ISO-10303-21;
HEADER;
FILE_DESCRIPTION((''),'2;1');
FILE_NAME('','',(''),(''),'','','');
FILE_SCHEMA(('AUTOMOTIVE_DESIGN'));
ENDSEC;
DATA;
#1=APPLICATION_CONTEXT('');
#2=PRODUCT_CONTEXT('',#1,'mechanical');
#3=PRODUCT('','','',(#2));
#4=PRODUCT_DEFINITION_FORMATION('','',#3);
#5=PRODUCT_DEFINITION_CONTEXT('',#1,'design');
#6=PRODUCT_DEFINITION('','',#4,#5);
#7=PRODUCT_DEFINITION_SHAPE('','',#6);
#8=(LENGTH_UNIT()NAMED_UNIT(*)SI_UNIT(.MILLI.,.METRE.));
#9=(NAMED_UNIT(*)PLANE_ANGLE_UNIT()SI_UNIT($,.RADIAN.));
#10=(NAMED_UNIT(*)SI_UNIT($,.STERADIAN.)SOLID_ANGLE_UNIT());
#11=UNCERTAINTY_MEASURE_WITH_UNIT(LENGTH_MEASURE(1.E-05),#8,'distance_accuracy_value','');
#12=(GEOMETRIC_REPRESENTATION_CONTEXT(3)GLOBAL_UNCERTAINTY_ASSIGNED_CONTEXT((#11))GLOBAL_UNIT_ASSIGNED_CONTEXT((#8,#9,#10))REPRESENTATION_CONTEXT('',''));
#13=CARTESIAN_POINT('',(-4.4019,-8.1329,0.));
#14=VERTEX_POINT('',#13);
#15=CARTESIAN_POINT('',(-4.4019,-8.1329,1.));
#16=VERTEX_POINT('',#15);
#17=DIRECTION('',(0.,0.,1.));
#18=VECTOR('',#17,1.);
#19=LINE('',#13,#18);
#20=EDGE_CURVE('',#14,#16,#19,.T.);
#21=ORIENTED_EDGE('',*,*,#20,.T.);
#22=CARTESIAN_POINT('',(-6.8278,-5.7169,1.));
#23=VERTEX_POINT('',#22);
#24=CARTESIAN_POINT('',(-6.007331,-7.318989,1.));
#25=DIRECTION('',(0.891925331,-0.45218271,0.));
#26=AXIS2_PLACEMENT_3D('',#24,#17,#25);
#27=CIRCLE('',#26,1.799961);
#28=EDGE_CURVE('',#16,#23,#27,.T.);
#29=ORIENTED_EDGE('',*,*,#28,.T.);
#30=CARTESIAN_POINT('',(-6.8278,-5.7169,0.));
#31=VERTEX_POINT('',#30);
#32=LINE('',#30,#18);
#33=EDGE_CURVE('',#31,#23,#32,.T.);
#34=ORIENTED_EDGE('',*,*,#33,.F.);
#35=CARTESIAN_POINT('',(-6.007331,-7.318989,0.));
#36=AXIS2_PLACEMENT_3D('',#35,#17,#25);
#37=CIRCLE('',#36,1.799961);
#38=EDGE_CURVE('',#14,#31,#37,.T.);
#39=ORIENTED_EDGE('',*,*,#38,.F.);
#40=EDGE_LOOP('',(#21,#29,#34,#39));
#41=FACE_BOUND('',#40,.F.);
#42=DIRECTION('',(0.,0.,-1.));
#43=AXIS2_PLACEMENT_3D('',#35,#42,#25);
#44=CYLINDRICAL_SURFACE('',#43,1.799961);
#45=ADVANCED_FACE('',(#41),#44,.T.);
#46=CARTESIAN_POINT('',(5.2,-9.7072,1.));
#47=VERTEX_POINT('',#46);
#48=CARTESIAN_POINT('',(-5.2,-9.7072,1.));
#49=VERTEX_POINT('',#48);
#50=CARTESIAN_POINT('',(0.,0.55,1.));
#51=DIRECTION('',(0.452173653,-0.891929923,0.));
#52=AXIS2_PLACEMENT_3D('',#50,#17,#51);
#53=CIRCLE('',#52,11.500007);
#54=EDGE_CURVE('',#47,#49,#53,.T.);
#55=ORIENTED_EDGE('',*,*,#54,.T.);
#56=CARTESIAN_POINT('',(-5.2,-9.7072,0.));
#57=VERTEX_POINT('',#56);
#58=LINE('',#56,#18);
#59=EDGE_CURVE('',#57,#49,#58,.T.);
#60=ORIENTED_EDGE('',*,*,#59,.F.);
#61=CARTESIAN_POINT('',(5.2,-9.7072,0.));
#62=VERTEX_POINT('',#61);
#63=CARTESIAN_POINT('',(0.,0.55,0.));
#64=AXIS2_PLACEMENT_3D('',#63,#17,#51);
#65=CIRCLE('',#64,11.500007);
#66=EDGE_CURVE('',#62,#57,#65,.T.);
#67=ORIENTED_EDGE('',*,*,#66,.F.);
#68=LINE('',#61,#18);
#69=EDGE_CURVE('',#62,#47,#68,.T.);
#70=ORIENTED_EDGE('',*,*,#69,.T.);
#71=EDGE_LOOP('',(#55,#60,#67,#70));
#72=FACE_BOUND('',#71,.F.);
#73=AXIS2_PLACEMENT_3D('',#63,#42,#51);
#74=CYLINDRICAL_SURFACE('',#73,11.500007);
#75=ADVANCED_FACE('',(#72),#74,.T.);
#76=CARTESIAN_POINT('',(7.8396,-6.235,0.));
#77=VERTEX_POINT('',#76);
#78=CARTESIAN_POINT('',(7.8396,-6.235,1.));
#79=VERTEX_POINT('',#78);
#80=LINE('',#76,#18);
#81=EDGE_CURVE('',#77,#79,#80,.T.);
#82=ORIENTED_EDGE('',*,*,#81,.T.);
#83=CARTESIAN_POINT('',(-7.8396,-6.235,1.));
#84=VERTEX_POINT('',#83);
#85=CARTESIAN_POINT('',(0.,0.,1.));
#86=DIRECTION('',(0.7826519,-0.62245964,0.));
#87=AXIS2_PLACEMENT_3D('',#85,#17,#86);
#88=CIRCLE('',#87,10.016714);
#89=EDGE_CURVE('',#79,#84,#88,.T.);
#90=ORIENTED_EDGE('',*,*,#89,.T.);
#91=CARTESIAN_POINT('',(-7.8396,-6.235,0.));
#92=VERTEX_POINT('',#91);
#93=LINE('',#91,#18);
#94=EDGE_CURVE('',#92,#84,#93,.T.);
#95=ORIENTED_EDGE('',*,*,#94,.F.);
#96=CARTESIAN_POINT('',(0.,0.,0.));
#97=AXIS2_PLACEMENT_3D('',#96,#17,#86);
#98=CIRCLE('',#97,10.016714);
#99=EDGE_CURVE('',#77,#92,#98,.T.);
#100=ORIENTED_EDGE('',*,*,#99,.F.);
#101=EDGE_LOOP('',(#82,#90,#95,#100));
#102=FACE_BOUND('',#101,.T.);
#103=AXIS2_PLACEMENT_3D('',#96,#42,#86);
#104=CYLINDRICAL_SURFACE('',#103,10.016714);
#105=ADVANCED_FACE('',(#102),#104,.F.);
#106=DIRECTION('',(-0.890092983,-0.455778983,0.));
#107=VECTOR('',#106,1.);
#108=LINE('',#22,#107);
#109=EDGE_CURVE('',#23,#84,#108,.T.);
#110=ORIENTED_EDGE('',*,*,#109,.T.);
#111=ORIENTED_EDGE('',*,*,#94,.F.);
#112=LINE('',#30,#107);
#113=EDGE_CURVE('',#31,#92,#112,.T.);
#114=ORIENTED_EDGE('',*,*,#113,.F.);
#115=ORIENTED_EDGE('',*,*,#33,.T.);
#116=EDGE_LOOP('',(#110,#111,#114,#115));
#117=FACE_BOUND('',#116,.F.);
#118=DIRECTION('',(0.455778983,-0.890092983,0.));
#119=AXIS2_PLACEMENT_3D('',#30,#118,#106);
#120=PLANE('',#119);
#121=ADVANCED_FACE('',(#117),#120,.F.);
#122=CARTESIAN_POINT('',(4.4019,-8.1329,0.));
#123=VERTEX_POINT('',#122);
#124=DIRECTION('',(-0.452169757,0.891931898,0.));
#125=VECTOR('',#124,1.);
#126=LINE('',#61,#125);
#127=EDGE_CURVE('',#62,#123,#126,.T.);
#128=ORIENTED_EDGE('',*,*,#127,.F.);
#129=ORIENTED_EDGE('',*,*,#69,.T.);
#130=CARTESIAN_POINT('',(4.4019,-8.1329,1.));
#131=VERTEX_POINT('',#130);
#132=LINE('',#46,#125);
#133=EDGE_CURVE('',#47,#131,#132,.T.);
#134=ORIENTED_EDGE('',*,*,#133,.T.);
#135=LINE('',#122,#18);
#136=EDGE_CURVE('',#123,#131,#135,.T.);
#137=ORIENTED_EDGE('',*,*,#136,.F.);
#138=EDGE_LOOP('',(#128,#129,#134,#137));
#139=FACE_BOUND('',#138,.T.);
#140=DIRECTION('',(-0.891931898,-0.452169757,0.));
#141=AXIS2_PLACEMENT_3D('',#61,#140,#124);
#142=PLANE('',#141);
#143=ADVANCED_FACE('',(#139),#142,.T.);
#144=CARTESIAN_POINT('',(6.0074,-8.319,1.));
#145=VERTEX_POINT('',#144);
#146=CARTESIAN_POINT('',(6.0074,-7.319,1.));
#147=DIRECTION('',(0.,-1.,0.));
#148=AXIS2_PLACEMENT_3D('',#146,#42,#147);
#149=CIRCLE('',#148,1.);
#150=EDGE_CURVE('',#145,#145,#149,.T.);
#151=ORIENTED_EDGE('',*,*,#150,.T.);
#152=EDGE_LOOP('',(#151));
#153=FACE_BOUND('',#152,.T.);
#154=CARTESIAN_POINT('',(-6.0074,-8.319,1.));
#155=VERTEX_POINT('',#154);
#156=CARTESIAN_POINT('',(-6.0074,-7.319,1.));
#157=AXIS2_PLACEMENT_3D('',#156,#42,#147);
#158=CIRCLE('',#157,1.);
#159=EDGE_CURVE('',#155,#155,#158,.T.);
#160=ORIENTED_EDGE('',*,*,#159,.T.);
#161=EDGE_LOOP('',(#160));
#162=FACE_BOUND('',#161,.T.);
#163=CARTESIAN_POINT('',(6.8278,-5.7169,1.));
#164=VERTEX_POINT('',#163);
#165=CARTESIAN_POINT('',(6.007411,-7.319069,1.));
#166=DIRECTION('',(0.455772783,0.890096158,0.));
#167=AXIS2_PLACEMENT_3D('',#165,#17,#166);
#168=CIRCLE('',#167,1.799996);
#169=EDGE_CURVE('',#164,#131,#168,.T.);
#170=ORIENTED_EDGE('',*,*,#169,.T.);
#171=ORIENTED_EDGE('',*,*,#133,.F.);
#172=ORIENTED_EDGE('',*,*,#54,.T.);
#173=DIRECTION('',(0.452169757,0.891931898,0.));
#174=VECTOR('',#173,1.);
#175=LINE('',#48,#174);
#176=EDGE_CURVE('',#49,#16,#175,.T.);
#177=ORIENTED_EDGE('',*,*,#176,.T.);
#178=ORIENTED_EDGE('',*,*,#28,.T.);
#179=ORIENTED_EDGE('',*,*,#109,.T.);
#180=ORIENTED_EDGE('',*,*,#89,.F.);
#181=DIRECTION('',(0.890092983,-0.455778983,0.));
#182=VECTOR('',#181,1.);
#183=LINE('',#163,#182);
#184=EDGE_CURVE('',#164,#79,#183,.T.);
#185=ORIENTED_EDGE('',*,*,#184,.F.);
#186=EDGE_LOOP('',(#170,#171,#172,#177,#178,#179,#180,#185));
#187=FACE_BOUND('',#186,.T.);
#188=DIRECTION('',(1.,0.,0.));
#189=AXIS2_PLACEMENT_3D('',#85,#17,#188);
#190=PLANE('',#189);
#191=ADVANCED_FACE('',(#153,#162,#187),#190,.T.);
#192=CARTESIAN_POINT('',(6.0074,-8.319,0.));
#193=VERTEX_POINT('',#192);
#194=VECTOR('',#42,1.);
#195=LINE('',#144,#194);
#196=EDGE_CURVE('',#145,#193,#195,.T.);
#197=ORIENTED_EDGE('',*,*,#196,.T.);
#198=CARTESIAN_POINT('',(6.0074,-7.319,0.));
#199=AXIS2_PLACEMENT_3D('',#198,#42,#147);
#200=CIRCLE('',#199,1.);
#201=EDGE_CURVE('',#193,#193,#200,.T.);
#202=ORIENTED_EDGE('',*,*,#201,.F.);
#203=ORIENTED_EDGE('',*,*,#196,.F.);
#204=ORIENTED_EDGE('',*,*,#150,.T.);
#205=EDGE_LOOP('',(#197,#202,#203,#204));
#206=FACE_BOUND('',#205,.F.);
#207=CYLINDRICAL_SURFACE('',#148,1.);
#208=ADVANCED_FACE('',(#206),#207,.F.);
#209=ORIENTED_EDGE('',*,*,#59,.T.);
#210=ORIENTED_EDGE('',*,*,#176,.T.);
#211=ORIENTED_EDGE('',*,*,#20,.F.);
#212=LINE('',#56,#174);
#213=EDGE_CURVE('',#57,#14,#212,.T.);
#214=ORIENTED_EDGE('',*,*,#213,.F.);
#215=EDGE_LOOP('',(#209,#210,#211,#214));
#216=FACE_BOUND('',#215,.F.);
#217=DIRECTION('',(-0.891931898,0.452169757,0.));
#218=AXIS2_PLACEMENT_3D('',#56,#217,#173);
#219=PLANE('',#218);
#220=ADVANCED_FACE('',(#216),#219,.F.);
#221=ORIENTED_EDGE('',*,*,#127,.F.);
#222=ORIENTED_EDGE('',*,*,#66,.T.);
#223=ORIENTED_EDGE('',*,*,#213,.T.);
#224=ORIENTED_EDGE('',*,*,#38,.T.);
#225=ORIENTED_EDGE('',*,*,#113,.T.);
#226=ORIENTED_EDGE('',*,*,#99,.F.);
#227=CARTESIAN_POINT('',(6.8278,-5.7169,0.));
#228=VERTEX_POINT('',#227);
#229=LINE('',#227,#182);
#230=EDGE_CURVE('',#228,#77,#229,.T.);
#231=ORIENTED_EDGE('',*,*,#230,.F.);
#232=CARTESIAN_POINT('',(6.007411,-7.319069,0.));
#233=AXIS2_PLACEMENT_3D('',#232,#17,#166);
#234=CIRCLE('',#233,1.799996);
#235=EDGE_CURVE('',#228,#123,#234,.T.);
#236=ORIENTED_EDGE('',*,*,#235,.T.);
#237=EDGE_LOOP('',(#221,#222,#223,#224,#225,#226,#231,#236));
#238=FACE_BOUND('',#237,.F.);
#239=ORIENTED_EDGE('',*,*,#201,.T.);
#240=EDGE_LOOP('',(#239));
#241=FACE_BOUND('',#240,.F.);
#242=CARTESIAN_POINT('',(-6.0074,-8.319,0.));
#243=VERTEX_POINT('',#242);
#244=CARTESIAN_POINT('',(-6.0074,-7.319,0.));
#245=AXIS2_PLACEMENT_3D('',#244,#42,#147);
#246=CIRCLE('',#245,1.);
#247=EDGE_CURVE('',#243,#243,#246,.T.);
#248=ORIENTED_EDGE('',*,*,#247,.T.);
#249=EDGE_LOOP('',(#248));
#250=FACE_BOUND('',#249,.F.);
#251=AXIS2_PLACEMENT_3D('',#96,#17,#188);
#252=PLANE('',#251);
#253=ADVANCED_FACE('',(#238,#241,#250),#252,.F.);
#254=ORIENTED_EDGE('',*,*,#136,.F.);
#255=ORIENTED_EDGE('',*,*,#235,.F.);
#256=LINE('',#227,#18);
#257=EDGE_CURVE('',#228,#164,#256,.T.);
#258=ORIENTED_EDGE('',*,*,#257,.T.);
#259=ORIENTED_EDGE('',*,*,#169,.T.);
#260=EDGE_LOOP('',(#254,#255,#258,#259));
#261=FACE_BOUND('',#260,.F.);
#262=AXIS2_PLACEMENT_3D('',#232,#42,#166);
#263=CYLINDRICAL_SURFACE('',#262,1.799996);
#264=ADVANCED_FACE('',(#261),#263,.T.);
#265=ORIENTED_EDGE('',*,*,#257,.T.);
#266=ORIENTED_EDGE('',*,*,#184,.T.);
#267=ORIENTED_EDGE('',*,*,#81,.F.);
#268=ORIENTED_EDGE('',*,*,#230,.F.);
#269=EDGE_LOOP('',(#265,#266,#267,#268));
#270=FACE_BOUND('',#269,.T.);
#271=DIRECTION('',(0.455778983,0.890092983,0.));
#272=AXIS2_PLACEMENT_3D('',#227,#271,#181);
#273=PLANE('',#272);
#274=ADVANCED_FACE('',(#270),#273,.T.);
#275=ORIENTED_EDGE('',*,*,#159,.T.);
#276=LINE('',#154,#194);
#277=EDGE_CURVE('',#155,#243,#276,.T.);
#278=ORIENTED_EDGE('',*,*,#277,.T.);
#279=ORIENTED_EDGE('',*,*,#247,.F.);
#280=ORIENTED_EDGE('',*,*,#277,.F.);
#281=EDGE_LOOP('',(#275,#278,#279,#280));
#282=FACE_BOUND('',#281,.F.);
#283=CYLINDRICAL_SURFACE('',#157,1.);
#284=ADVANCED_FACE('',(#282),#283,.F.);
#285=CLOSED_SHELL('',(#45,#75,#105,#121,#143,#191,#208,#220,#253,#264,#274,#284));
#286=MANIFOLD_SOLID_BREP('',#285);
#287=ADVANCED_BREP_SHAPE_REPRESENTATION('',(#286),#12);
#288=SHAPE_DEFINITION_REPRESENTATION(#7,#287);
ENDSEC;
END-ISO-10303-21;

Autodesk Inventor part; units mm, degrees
ref_plane "WorkPlane1" through (0, 0, 0) normal (0, 0, 1) x (1, 0, 0)
ref_plane "Work Plane2" through (0, 0, -1) normal (0, 0, 1) x (1, 0, 0)
ref_plane "WorkPlane2" through (0, 0, 1) normal (0, 0, 1) x (1, 0, 0)
sketch "Szkic1" plane through (0, 0, 0) normal (0, 0, 1) x (1, 0, 0)
  point P0 (0, 0)
sketch "Szkic2" plane through (0, 0, 0) normal (0, 0, 1) x (1, 0, 0)
  line L0 (5.2, -9.7072) -> (4.4019, -8.1329)
  arc A0 (6.8278, -5.7169) -> (4.4019, -8.1329) centre (6.0074, -7.319) ccw
  line L1 (6.8278, -5.7169) -> (7.8396, -6.235)
  arc A1 (7.8396, -6.235) -> (-7.8396, -6.235) centre (0, 0) ccw
  line L2 (-6.8278, -5.7169) -> (-7.8396, -6.235)
  arc A2 (-4.4019, -8.1329) -> (-6.8278, -5.7169) centre (-6.0074, -7.319) ccw
  line L3 (-5.2, -9.7072) -> (-4.4019, -8.1329)
  arc A3 (5.2, -9.7072) -> (-5.2, -9.7072) centre (0, 0.55) ccw
  line L4 (0, 0.55) -> (-5.2, -9.7072) construction
  line L5 (0, 0.55) -> (5.2, -9.7072) construction
  dimension "d2" = 11.5
  dimension "d4" = 0
  dimension "d6" = 10.0167
  dimension "d8" = 0.55
  dimension "d10" = 5.2
  dimension "d12" = 5.2
  dimension "d14" = 1.8
  dimension "d16" = 1.8
  dimension "d18" = 9.9
  dimension "d20" = 9.9
  dimension "d22" = 36
  dimension "d24" = 36
extrude "Wyciągnięcie proste1" add sketch "Szkic2" along normal blind 1
sketch "Szkic3" plane through (0, 0, 1) normal (0, 0, 1) x (1, 0, 0)
  arc A0 (-4.4019, -8.1329) -> (-6.8278, -5.7169) centre (-6.0074, -7.319) ccw projected
hole "Otwór1" at (-6.0074, -7.319, 1) direction (0, 0, -1) diameter 2 end through all
sketch "Szkic4" plane through (0, 0, 1) normal (0, 0, 1) x (1, 0, 0)
  arc A0 (6.8278, -5.7169) -> (4.4019, -8.1329) centre (6.0074, -7.319) ccw projected
hole "Otwór2" at (6.0074, -7.319, 1) direction (0, 0, -1) diameter 2 end through all
equation "\"d2\" = 0.5 * Diam2"
equation "\"d6\" = 0.5 * msp_dd1"
equation "\"d8\" = -0.5 * msp_dd1 + 0.5 * Diam2 - 0.222222 * ParA"
equation "\"d10\" = 2.6 * Diam5"
equation "\"d12\" = 2.6 * Diam5"
equation "\"d14\" = 0.9 * Diam5"
equation "\"d16\" = 0.9 * Diam5"
equation "\"d18\" = 1.3 * Diam5 + 0.5 * Diam2 - ParA"
equation "\"d20\" = 1.3 * Diam5 + 0.5 * Diam2 - ParA"
equation "\"d25\" = ParS"
equation "\"d29\" = Diam5"
equation "\"d36\" = Diam5"
equation "\"Diam5\" = 2"
equation "\"ParA\" = 4.2"
equation "\"ParS\" = 1"
equation "\"Diam2\" = 23"
equation "\"msp_dd1\" = -b + Diam2 - 0.111111 * ParA"
equation "\"msp_pom\" = 0.5 * Diam2 - b"
equation "\"TEMPLATE\" = 1.2345"
properties part number "DIN 472 - 22x1" material "Stal, miękka"
